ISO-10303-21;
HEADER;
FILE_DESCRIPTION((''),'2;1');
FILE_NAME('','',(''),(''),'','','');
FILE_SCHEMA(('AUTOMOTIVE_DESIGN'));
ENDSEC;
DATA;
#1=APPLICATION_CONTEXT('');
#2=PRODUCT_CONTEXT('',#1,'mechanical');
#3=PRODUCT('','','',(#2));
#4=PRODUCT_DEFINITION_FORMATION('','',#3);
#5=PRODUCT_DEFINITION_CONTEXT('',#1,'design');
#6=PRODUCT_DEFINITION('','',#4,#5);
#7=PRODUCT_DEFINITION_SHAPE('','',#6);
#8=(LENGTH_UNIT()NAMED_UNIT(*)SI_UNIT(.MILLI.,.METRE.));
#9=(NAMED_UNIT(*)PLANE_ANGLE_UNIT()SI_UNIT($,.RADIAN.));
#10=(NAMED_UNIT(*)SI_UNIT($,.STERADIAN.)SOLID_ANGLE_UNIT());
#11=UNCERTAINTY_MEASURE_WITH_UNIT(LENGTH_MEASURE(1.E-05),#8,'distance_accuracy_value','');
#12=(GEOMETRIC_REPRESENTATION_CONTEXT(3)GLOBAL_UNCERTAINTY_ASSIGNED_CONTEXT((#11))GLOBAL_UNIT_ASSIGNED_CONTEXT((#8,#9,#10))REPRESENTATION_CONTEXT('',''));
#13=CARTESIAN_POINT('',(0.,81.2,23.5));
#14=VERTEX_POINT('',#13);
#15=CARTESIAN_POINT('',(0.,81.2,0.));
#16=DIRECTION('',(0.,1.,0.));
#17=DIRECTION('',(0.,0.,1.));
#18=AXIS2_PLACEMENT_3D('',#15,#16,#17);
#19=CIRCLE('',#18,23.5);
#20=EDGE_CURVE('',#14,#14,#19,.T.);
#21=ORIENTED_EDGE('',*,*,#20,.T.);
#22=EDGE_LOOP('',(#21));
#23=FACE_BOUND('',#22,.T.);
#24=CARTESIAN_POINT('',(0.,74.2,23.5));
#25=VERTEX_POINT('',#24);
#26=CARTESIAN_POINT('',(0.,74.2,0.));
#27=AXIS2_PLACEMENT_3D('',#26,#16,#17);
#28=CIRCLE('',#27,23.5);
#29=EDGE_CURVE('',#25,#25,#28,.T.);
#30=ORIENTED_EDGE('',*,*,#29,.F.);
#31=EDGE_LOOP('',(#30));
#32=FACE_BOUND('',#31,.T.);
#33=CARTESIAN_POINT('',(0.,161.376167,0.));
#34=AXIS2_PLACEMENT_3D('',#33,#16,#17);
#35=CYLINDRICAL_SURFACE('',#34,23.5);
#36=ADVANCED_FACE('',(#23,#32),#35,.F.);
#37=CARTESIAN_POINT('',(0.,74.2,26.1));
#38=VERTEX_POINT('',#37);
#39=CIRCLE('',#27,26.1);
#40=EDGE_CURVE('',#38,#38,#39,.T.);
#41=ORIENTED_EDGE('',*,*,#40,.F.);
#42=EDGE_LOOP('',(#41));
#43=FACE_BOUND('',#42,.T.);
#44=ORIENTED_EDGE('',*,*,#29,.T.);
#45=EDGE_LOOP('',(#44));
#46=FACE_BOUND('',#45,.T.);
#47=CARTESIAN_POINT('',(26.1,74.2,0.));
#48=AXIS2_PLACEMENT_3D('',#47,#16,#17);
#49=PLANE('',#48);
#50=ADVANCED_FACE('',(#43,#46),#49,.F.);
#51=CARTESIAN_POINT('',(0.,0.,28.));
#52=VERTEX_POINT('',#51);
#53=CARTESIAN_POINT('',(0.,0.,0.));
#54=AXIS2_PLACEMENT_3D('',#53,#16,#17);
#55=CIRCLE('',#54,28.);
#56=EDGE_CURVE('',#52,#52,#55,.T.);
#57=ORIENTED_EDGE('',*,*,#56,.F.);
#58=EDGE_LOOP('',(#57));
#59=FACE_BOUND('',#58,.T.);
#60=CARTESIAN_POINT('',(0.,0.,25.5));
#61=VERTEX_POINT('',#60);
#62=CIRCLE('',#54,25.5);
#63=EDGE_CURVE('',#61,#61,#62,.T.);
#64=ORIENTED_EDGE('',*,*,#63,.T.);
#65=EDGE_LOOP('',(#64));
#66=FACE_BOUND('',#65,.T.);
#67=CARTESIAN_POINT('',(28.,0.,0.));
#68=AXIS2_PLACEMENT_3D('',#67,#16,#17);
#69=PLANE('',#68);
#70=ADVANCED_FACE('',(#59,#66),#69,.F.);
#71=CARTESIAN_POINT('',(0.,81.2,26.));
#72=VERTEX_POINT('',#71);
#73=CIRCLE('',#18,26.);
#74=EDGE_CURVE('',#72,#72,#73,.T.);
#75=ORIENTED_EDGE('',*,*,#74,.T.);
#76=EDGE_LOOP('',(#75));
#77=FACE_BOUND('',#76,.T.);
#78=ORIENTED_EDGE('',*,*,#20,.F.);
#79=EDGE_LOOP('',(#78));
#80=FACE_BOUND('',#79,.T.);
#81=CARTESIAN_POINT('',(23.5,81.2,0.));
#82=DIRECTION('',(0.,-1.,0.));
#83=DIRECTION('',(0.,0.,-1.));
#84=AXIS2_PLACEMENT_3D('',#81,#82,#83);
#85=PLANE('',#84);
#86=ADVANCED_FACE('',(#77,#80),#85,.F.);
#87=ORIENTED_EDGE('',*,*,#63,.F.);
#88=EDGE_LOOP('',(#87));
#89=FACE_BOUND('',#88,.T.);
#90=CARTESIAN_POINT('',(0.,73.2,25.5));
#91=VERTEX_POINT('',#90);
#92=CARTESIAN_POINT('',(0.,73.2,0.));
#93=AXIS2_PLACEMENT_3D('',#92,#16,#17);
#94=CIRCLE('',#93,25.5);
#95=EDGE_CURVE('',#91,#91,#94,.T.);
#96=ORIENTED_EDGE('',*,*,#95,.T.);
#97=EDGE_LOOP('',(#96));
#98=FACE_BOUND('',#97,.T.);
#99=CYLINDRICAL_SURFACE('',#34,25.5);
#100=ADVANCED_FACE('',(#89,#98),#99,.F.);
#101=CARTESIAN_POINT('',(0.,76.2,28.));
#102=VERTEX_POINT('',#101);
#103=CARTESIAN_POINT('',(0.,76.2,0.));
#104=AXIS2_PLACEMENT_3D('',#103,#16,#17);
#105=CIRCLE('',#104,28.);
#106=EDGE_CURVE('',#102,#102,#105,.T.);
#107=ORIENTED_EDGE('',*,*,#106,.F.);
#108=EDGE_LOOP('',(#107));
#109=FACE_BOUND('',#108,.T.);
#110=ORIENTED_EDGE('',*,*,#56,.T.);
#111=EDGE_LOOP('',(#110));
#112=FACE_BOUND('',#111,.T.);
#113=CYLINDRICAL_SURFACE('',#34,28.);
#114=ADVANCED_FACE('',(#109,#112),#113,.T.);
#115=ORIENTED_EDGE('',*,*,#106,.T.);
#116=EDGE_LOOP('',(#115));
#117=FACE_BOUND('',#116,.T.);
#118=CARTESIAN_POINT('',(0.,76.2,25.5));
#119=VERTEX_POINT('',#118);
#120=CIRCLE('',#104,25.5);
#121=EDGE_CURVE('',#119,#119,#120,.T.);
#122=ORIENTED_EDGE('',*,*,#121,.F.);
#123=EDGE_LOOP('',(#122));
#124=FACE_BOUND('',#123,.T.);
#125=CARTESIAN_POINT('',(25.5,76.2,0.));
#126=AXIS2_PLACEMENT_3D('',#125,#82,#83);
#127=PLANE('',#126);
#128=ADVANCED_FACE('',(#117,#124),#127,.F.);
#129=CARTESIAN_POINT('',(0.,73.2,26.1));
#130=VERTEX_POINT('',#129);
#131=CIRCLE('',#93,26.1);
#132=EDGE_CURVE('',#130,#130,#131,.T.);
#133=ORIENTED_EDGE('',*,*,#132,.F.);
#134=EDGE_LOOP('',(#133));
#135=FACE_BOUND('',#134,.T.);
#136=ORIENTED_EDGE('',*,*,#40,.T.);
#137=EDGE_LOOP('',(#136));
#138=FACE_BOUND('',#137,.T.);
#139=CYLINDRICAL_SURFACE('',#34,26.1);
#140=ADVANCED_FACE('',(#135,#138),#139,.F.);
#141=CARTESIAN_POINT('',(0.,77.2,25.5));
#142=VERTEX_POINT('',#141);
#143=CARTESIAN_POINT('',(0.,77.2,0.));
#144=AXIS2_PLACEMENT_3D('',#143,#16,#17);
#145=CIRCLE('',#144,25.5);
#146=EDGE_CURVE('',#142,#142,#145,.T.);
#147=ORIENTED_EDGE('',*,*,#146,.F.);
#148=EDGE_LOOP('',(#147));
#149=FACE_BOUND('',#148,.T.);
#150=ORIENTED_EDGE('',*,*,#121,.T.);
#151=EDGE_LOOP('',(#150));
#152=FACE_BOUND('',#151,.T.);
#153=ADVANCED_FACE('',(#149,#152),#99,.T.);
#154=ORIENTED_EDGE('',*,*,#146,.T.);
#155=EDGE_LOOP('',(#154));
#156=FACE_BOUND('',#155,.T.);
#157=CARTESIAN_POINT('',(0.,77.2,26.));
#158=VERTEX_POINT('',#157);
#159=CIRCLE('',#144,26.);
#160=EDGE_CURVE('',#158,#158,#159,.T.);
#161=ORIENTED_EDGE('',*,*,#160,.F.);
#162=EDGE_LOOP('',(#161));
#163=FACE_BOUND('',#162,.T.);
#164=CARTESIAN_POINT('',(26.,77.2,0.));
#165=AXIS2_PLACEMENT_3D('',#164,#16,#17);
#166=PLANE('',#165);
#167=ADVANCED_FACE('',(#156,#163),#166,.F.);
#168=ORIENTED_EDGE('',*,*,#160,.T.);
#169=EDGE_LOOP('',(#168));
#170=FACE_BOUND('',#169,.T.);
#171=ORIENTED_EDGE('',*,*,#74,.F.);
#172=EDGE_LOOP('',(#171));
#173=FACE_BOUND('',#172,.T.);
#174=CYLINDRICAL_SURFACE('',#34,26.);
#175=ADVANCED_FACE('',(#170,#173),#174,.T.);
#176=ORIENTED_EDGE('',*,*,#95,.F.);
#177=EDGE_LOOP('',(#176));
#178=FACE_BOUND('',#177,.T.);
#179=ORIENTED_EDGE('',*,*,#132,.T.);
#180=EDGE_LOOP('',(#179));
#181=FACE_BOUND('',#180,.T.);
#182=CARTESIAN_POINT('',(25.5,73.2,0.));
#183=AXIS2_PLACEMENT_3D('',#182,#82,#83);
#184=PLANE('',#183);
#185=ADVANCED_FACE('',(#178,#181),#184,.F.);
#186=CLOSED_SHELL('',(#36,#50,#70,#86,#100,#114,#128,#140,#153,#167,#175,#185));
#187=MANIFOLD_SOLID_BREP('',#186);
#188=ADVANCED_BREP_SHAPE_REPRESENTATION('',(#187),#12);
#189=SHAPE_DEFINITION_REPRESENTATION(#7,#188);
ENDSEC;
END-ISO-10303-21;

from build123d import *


with BuildPart() as part:
    # 草图1 → 旋转1 (revolve)
    with BuildSketch(Plane.XY, mode=Mode.PRIVATE) as revolve_1_sk:
        Polygon((23.5, 81.2), (26, 81.2), (26, 77.2), (25.5, 77.2), (25.5, 76.2), (28, 76.2), (28, 0), (25.5, 0), (25.5, 73.2), (26.1, 73.2), (26.1, 74.2), (23.5, 74.2), align=None)
    revolve(revolve_1_sk.sketch.rotate(Axis((0, 161.376166943, 0), (0, -1, 0)), 90), axis=Axis((0, 161.376166943, 0), (0, -1, 0)))  # turned: the seam where the file's is


solid = part.part
